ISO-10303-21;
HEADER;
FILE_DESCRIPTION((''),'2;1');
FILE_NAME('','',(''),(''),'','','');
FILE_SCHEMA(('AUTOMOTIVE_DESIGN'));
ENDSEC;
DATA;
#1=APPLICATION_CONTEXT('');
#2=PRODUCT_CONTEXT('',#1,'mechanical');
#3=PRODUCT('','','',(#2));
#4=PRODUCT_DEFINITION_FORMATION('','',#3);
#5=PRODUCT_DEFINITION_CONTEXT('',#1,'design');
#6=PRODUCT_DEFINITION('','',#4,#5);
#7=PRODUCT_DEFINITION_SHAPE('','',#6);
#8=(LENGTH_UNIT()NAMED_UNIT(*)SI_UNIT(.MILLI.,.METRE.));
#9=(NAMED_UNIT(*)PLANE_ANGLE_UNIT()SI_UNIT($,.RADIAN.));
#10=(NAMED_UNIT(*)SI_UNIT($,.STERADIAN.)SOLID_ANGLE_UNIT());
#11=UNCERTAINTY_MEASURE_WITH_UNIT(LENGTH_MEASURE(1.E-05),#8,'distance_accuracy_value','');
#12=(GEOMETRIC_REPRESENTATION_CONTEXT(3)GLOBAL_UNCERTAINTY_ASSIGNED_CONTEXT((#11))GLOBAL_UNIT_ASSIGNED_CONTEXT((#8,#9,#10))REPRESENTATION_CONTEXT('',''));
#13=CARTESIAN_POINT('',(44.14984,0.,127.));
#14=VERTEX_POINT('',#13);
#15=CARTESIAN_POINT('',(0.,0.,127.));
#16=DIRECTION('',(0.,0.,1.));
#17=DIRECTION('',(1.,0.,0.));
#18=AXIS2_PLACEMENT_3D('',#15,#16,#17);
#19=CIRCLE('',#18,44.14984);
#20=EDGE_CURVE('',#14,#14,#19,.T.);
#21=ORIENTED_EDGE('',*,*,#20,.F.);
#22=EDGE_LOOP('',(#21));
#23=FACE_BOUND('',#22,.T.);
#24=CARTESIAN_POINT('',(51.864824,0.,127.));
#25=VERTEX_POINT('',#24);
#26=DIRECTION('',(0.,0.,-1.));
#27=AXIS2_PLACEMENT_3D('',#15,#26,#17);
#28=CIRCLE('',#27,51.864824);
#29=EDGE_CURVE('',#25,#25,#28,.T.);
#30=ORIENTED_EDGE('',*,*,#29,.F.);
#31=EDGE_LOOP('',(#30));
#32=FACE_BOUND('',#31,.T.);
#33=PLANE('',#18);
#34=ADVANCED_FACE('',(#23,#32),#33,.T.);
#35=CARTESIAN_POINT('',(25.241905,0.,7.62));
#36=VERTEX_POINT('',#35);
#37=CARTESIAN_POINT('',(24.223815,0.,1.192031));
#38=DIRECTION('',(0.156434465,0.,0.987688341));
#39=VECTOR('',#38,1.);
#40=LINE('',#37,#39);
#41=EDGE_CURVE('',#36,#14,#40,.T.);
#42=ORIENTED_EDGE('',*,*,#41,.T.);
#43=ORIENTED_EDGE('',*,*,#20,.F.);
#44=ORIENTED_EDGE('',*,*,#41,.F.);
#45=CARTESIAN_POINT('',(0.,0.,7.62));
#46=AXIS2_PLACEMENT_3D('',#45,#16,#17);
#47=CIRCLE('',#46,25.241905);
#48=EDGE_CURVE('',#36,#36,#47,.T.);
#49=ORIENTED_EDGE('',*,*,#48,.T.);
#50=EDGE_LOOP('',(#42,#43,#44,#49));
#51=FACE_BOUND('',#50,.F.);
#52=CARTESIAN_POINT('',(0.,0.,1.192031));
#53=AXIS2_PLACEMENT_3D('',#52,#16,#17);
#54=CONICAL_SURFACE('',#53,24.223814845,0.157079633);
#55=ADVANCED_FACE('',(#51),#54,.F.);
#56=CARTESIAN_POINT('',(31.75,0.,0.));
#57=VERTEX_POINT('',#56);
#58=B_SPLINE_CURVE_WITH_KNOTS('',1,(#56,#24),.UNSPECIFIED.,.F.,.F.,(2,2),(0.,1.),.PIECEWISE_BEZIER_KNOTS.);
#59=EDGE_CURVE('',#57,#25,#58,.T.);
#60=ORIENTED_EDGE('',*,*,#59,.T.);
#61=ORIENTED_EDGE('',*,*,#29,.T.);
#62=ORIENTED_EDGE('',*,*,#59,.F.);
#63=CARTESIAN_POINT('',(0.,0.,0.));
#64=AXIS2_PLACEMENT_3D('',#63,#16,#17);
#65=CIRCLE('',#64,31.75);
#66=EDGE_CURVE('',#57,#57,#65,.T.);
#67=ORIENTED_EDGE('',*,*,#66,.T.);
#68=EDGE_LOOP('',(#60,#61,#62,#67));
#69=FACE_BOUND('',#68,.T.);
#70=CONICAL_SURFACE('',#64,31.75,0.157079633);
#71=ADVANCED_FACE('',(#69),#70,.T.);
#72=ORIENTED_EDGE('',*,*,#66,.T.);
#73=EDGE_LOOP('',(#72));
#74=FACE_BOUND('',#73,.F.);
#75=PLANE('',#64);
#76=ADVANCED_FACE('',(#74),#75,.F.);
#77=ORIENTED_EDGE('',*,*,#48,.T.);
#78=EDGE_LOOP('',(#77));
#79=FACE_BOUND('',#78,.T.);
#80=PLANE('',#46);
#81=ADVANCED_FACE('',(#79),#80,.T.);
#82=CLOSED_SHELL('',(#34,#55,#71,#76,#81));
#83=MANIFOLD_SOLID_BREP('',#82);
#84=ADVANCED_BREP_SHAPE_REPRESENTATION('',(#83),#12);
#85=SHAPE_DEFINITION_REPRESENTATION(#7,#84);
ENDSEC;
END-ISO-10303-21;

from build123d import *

# Parameters (mm, degrees)
F0_R     = 31.75
F1_DEPTH = 127
F1_TAPER = -9
F2_T     = -7.62


with BuildPart() as f1:
    # F0 (on Top) → F1 (new body)
    with BuildSketch(Plane.XY):
        Circle(F0_R)
    extrude(amount=F1_DEPTH, taper=F1_TAPER)

    # F2
    f2_openings = [f1.faces().sort_by_distance(p)[0] for p in [
        (0, 0, 127),
    ]]
    offset(amount=F2_T, openings=f2_openings, kind=Kind.INTERSECTION)


solid = f1.part
